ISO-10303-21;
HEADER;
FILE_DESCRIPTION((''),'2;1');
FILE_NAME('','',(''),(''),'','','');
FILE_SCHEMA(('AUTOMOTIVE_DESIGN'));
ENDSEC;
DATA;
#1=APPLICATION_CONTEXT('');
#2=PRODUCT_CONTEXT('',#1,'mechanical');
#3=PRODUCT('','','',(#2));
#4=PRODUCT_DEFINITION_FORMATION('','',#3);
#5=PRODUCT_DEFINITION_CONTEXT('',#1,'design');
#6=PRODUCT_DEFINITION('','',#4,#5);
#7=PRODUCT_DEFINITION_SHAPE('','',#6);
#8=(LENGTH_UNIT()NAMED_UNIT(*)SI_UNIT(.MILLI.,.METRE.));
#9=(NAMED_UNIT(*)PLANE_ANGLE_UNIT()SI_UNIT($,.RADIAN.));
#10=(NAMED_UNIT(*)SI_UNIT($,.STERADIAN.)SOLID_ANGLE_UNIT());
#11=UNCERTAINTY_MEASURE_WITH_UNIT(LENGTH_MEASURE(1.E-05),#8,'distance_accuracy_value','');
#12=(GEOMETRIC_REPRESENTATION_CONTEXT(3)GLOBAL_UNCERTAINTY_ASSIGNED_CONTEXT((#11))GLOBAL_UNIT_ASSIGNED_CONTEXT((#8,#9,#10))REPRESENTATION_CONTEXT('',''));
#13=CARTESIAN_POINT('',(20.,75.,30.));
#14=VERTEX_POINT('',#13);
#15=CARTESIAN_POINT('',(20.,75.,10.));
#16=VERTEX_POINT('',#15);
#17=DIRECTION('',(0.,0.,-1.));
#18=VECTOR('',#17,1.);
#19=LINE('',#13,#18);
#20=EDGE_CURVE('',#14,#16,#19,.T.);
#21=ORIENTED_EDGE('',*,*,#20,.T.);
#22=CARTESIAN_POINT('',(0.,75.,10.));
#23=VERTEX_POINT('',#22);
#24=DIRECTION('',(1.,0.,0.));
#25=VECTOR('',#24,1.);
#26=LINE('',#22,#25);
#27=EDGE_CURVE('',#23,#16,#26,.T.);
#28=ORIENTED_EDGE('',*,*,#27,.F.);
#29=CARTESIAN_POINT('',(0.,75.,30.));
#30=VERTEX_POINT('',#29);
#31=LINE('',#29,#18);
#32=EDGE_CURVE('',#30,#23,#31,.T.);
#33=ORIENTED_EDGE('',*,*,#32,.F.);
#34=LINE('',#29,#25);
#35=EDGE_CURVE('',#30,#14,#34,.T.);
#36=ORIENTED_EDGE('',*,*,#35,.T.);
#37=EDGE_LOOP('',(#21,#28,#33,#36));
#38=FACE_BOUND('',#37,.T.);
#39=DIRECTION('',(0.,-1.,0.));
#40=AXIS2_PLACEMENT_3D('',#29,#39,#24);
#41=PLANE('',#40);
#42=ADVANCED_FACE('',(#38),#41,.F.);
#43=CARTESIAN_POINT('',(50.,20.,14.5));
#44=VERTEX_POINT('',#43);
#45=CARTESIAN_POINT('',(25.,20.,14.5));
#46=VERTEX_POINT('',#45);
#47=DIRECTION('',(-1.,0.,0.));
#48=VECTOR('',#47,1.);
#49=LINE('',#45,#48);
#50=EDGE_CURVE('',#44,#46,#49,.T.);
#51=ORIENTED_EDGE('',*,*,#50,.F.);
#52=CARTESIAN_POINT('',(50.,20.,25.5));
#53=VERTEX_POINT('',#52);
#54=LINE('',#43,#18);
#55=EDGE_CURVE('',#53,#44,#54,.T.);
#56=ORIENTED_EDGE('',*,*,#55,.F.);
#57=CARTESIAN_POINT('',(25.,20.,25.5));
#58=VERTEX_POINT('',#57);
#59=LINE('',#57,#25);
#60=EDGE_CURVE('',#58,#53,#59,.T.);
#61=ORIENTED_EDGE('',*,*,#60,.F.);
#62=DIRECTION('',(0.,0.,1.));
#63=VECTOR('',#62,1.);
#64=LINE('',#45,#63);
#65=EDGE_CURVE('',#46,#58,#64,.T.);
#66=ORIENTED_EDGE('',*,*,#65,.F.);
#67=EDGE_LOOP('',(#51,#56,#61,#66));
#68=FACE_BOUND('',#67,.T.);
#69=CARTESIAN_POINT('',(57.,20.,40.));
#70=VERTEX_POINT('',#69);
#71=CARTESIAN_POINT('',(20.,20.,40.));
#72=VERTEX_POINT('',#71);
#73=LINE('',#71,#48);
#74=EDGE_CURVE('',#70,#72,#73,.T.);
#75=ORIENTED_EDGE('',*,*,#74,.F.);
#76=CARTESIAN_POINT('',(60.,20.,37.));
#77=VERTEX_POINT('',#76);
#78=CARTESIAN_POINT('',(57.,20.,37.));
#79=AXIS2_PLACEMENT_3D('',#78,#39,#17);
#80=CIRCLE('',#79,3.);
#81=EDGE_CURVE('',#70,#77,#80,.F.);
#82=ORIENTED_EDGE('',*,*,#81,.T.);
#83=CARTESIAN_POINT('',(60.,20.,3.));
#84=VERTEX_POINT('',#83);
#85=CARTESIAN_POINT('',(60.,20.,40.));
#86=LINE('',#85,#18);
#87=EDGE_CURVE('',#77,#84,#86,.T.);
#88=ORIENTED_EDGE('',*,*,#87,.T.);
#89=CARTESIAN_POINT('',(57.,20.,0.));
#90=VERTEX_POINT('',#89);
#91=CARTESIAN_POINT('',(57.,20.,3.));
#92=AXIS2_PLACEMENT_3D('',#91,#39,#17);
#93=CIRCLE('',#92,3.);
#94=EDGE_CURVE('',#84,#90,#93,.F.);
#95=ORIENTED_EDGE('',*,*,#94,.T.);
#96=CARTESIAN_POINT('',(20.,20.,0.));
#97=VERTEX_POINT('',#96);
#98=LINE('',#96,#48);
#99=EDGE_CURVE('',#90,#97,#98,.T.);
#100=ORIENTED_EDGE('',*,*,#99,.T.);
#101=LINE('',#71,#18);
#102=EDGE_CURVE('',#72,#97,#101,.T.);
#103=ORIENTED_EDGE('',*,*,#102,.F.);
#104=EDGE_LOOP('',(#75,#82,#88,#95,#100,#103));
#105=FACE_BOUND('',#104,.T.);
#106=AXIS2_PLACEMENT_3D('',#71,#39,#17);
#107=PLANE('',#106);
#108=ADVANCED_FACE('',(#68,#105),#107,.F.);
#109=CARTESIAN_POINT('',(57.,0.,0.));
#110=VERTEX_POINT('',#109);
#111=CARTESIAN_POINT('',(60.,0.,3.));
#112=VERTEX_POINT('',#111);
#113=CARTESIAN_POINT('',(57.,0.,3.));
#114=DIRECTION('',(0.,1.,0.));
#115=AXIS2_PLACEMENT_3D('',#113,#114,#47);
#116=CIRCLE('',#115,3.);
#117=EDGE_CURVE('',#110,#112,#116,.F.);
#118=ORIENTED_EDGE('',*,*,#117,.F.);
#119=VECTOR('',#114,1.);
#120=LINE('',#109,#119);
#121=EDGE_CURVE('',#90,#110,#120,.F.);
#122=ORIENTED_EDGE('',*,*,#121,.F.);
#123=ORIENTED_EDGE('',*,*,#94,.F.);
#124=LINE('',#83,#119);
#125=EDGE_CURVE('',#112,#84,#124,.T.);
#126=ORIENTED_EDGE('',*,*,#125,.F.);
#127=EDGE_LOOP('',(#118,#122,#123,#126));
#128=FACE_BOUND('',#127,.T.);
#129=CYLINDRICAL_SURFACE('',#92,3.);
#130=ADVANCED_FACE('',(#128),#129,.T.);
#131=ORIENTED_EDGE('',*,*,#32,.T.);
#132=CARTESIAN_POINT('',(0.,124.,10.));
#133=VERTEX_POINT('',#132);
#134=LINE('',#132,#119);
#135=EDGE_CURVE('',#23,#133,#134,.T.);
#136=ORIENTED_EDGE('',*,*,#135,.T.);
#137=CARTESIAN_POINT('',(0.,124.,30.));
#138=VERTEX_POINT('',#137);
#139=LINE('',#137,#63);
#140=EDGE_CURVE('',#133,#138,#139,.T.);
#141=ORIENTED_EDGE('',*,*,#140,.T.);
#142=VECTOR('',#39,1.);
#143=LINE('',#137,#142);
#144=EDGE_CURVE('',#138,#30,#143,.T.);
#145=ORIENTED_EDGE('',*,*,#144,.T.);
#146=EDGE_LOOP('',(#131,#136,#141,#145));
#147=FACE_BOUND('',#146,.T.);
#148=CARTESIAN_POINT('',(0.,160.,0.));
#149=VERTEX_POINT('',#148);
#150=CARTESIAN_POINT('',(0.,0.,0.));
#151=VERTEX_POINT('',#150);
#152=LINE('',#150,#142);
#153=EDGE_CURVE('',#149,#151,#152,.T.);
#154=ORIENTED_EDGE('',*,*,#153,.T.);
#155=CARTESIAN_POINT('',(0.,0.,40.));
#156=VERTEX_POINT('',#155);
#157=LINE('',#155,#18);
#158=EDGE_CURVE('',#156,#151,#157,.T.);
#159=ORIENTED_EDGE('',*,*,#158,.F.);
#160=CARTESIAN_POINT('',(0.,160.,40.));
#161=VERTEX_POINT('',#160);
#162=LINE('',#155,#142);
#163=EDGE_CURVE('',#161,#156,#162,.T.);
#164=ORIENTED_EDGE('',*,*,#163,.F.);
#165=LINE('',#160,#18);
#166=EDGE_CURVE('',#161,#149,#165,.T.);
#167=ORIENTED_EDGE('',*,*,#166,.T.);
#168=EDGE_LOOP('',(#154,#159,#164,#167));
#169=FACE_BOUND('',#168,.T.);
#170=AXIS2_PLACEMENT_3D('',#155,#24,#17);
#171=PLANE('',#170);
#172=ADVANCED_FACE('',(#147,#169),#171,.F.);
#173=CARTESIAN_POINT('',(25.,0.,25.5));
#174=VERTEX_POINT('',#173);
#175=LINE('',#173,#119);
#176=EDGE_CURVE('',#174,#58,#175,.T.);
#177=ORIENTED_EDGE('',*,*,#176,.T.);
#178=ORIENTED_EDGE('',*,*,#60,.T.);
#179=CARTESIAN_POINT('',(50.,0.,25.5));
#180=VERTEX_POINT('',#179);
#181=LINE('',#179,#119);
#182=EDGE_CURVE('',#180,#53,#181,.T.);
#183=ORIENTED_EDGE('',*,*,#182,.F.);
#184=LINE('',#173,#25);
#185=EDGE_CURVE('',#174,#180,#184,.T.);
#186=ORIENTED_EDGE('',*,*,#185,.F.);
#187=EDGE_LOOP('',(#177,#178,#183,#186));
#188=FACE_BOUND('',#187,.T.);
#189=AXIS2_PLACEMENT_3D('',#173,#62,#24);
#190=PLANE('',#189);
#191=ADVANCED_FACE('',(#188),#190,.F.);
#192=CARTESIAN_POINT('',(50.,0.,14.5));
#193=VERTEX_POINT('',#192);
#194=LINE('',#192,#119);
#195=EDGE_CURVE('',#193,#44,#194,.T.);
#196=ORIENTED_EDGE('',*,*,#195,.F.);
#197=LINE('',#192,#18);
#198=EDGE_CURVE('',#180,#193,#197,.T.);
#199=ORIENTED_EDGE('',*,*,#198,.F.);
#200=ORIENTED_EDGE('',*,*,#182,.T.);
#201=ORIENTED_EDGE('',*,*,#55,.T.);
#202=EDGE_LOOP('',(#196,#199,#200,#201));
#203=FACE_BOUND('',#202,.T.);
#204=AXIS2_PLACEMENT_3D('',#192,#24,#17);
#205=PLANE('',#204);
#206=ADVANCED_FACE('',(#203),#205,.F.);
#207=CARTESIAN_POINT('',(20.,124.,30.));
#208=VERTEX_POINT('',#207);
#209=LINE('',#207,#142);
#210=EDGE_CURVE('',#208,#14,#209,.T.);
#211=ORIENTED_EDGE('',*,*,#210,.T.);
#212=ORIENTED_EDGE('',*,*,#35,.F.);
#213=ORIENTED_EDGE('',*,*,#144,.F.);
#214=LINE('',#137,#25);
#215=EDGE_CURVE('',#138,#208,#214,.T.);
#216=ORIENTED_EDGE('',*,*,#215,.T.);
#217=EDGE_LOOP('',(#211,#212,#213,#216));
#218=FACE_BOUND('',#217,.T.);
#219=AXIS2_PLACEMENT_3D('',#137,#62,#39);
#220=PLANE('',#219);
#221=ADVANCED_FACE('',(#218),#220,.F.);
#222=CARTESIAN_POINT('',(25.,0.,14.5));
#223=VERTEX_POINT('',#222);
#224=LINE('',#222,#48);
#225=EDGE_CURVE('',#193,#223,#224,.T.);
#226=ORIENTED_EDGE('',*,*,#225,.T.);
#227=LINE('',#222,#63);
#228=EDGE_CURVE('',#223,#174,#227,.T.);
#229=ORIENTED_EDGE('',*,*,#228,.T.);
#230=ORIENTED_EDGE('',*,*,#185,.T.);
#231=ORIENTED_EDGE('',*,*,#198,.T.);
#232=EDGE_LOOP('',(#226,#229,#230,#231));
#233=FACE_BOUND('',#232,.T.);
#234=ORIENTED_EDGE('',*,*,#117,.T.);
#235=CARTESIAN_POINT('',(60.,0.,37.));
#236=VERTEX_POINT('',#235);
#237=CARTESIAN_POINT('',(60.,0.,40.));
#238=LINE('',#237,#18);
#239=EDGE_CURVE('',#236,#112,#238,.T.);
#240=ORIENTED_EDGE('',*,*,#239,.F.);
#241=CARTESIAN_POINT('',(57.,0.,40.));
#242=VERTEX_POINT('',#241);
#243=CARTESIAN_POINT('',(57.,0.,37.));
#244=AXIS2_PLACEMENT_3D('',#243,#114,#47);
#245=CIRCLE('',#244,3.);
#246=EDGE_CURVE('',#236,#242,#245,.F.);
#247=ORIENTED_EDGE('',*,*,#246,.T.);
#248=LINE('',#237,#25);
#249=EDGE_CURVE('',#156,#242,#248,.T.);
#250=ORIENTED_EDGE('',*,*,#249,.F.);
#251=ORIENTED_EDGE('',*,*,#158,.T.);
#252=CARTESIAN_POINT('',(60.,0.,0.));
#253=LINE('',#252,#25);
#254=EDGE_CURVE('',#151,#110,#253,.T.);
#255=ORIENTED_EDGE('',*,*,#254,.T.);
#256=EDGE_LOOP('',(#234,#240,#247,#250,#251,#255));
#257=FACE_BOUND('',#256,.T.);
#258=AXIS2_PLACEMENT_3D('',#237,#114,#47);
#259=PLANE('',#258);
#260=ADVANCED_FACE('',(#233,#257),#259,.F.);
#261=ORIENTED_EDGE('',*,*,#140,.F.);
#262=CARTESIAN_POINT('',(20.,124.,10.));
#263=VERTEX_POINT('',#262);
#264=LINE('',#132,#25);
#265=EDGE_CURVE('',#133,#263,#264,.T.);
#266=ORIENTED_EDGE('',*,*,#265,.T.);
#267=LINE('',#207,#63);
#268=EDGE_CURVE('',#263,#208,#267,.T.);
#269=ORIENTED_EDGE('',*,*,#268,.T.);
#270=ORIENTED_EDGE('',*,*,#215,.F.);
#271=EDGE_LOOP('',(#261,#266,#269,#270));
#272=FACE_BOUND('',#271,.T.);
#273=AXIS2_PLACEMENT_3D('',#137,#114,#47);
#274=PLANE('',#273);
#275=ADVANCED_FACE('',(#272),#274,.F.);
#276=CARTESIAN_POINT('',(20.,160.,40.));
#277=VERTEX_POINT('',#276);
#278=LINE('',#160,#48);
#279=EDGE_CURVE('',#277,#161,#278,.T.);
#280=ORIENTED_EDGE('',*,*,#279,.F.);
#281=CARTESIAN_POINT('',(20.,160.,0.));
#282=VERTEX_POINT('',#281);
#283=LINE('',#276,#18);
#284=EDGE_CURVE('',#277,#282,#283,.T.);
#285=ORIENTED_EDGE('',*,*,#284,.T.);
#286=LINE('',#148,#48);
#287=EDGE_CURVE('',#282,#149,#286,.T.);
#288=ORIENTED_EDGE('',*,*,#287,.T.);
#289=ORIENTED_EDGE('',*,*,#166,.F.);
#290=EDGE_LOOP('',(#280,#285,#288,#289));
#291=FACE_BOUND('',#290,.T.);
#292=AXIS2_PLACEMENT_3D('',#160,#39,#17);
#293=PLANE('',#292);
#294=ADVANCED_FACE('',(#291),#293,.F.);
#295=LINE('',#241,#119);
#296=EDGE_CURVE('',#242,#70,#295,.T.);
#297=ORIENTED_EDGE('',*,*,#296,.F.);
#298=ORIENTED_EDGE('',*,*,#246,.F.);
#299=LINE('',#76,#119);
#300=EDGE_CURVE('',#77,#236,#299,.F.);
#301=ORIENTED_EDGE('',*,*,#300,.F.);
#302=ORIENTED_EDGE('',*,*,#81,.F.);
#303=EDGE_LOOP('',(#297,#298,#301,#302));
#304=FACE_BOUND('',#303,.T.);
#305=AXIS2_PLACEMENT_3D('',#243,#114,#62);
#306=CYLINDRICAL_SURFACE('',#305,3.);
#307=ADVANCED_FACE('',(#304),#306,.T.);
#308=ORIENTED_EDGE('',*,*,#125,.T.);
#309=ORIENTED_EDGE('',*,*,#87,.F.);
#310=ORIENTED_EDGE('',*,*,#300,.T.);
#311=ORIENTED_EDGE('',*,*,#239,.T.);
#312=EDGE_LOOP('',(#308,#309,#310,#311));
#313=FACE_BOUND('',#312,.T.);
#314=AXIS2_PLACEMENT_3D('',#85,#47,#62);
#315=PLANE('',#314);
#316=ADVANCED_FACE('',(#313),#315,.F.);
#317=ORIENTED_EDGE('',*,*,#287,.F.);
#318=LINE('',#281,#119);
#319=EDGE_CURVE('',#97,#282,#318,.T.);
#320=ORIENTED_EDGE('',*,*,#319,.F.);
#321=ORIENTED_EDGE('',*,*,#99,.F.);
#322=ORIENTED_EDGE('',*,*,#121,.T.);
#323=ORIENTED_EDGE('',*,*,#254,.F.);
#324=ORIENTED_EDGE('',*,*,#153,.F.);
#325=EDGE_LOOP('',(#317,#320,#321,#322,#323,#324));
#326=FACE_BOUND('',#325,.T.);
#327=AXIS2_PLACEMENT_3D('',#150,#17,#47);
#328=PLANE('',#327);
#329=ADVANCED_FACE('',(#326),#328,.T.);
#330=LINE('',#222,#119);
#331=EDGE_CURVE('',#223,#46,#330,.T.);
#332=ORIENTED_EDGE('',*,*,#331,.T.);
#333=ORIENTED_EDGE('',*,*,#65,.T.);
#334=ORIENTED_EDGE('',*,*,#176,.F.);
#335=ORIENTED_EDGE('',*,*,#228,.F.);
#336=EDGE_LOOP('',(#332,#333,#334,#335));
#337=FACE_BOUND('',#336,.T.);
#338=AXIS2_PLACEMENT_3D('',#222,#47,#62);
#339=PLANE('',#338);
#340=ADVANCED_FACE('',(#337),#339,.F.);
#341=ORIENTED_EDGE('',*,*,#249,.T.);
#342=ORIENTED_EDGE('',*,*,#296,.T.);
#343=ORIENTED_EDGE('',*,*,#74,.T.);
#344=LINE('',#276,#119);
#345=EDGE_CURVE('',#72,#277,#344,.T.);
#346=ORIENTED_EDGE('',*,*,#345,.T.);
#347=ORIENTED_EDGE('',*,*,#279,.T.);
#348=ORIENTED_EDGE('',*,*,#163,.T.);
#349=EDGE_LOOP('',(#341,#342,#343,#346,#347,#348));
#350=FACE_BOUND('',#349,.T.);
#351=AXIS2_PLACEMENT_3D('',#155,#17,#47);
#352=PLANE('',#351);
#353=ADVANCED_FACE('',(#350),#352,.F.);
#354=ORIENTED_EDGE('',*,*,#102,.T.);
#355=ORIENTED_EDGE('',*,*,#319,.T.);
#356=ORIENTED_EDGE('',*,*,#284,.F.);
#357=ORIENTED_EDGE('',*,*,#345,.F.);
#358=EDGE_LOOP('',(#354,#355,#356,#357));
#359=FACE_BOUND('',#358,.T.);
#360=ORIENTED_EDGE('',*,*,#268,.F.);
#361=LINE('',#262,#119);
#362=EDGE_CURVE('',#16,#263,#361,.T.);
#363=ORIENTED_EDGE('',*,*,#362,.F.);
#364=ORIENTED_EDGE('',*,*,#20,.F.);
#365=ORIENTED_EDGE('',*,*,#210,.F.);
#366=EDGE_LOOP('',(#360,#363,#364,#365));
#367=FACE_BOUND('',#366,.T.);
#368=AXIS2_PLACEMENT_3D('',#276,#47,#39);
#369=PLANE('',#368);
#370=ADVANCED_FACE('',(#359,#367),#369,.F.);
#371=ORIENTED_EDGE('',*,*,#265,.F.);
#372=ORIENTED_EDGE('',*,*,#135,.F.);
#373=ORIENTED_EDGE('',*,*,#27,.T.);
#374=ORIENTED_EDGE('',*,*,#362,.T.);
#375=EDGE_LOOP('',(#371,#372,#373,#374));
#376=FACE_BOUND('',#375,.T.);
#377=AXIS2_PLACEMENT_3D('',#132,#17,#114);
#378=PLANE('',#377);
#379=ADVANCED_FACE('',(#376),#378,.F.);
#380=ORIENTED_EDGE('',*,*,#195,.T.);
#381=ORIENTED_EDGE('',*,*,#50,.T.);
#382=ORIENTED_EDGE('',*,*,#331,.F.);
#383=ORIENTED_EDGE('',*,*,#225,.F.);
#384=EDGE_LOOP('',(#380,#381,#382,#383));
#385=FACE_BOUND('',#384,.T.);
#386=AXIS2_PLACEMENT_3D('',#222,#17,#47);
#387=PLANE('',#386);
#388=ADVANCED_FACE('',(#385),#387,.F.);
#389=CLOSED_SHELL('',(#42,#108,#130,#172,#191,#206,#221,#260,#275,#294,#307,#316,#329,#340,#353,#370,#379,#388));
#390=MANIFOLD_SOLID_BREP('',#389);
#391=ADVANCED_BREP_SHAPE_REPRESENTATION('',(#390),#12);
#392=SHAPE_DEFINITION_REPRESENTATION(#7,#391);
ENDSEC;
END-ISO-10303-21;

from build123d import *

# Parameters (mm, degrees)
BOSS_EXTRUDE1_DEPTH = 40
FILLET1_R           = 3
SKETCH2_W           = 25
SKETCH2_H           = 11
CUT_EXTRUDE1_DEPTH  = 158.48015748
SKETCH3_W           = 20
SKETCH3_H           = 49
CUT_EXTRUDE2_DEPTH  = 170.705627485


with BuildPart() as part:
    # Sketch1 → Boss-Extrude1 (new body)
    with BuildSketch(Plane.XY):
        Polygon((0, 0), (0, 160), (20, 160), (20, 20), (60, 20), (60, 0), align=None)
    extrude(amount=BOSS_EXTRUDE1_DEPTH)

    # Fillet1
    fillet1_edges = [part.edges().sort_by_distance(p)[0] for p in [
        (60, 10, 40),
        (60, 10, 0),
    ]]
    fillet(fillet1_edges, radius=FILLET1_R)

    # Sketch2 → Cut-Extrude1 (cut, through all)
    with BuildSketch(Plane(origin=(0, 20, 0), x_dir=(1, 0, 0), z_dir=(0, 1, 0))):
        with Locations((37.5, -20)):
            Rectangle(SKETCH2_W, SKETCH2_H)
    extrude(amount=-CUT_EXTRUDE1_DEPTH, mode=Mode.SUBTRACT)

    # Sketch3 → Cut-Extrude2 (cut, through all)
    with BuildSketch(Plane(origin=(20, 0, 0), x_dir=(0, 0, -1), z_dir=(1, 0, 0))):
        with Locations((-20, 99.5)):
            Rectangle(SKETCH3_W, SKETCH3_H)
    extrude(amount=-CUT_EXTRUDE2_DEPTH, mode=Mode.SUBTRACT)


solid = part.part
